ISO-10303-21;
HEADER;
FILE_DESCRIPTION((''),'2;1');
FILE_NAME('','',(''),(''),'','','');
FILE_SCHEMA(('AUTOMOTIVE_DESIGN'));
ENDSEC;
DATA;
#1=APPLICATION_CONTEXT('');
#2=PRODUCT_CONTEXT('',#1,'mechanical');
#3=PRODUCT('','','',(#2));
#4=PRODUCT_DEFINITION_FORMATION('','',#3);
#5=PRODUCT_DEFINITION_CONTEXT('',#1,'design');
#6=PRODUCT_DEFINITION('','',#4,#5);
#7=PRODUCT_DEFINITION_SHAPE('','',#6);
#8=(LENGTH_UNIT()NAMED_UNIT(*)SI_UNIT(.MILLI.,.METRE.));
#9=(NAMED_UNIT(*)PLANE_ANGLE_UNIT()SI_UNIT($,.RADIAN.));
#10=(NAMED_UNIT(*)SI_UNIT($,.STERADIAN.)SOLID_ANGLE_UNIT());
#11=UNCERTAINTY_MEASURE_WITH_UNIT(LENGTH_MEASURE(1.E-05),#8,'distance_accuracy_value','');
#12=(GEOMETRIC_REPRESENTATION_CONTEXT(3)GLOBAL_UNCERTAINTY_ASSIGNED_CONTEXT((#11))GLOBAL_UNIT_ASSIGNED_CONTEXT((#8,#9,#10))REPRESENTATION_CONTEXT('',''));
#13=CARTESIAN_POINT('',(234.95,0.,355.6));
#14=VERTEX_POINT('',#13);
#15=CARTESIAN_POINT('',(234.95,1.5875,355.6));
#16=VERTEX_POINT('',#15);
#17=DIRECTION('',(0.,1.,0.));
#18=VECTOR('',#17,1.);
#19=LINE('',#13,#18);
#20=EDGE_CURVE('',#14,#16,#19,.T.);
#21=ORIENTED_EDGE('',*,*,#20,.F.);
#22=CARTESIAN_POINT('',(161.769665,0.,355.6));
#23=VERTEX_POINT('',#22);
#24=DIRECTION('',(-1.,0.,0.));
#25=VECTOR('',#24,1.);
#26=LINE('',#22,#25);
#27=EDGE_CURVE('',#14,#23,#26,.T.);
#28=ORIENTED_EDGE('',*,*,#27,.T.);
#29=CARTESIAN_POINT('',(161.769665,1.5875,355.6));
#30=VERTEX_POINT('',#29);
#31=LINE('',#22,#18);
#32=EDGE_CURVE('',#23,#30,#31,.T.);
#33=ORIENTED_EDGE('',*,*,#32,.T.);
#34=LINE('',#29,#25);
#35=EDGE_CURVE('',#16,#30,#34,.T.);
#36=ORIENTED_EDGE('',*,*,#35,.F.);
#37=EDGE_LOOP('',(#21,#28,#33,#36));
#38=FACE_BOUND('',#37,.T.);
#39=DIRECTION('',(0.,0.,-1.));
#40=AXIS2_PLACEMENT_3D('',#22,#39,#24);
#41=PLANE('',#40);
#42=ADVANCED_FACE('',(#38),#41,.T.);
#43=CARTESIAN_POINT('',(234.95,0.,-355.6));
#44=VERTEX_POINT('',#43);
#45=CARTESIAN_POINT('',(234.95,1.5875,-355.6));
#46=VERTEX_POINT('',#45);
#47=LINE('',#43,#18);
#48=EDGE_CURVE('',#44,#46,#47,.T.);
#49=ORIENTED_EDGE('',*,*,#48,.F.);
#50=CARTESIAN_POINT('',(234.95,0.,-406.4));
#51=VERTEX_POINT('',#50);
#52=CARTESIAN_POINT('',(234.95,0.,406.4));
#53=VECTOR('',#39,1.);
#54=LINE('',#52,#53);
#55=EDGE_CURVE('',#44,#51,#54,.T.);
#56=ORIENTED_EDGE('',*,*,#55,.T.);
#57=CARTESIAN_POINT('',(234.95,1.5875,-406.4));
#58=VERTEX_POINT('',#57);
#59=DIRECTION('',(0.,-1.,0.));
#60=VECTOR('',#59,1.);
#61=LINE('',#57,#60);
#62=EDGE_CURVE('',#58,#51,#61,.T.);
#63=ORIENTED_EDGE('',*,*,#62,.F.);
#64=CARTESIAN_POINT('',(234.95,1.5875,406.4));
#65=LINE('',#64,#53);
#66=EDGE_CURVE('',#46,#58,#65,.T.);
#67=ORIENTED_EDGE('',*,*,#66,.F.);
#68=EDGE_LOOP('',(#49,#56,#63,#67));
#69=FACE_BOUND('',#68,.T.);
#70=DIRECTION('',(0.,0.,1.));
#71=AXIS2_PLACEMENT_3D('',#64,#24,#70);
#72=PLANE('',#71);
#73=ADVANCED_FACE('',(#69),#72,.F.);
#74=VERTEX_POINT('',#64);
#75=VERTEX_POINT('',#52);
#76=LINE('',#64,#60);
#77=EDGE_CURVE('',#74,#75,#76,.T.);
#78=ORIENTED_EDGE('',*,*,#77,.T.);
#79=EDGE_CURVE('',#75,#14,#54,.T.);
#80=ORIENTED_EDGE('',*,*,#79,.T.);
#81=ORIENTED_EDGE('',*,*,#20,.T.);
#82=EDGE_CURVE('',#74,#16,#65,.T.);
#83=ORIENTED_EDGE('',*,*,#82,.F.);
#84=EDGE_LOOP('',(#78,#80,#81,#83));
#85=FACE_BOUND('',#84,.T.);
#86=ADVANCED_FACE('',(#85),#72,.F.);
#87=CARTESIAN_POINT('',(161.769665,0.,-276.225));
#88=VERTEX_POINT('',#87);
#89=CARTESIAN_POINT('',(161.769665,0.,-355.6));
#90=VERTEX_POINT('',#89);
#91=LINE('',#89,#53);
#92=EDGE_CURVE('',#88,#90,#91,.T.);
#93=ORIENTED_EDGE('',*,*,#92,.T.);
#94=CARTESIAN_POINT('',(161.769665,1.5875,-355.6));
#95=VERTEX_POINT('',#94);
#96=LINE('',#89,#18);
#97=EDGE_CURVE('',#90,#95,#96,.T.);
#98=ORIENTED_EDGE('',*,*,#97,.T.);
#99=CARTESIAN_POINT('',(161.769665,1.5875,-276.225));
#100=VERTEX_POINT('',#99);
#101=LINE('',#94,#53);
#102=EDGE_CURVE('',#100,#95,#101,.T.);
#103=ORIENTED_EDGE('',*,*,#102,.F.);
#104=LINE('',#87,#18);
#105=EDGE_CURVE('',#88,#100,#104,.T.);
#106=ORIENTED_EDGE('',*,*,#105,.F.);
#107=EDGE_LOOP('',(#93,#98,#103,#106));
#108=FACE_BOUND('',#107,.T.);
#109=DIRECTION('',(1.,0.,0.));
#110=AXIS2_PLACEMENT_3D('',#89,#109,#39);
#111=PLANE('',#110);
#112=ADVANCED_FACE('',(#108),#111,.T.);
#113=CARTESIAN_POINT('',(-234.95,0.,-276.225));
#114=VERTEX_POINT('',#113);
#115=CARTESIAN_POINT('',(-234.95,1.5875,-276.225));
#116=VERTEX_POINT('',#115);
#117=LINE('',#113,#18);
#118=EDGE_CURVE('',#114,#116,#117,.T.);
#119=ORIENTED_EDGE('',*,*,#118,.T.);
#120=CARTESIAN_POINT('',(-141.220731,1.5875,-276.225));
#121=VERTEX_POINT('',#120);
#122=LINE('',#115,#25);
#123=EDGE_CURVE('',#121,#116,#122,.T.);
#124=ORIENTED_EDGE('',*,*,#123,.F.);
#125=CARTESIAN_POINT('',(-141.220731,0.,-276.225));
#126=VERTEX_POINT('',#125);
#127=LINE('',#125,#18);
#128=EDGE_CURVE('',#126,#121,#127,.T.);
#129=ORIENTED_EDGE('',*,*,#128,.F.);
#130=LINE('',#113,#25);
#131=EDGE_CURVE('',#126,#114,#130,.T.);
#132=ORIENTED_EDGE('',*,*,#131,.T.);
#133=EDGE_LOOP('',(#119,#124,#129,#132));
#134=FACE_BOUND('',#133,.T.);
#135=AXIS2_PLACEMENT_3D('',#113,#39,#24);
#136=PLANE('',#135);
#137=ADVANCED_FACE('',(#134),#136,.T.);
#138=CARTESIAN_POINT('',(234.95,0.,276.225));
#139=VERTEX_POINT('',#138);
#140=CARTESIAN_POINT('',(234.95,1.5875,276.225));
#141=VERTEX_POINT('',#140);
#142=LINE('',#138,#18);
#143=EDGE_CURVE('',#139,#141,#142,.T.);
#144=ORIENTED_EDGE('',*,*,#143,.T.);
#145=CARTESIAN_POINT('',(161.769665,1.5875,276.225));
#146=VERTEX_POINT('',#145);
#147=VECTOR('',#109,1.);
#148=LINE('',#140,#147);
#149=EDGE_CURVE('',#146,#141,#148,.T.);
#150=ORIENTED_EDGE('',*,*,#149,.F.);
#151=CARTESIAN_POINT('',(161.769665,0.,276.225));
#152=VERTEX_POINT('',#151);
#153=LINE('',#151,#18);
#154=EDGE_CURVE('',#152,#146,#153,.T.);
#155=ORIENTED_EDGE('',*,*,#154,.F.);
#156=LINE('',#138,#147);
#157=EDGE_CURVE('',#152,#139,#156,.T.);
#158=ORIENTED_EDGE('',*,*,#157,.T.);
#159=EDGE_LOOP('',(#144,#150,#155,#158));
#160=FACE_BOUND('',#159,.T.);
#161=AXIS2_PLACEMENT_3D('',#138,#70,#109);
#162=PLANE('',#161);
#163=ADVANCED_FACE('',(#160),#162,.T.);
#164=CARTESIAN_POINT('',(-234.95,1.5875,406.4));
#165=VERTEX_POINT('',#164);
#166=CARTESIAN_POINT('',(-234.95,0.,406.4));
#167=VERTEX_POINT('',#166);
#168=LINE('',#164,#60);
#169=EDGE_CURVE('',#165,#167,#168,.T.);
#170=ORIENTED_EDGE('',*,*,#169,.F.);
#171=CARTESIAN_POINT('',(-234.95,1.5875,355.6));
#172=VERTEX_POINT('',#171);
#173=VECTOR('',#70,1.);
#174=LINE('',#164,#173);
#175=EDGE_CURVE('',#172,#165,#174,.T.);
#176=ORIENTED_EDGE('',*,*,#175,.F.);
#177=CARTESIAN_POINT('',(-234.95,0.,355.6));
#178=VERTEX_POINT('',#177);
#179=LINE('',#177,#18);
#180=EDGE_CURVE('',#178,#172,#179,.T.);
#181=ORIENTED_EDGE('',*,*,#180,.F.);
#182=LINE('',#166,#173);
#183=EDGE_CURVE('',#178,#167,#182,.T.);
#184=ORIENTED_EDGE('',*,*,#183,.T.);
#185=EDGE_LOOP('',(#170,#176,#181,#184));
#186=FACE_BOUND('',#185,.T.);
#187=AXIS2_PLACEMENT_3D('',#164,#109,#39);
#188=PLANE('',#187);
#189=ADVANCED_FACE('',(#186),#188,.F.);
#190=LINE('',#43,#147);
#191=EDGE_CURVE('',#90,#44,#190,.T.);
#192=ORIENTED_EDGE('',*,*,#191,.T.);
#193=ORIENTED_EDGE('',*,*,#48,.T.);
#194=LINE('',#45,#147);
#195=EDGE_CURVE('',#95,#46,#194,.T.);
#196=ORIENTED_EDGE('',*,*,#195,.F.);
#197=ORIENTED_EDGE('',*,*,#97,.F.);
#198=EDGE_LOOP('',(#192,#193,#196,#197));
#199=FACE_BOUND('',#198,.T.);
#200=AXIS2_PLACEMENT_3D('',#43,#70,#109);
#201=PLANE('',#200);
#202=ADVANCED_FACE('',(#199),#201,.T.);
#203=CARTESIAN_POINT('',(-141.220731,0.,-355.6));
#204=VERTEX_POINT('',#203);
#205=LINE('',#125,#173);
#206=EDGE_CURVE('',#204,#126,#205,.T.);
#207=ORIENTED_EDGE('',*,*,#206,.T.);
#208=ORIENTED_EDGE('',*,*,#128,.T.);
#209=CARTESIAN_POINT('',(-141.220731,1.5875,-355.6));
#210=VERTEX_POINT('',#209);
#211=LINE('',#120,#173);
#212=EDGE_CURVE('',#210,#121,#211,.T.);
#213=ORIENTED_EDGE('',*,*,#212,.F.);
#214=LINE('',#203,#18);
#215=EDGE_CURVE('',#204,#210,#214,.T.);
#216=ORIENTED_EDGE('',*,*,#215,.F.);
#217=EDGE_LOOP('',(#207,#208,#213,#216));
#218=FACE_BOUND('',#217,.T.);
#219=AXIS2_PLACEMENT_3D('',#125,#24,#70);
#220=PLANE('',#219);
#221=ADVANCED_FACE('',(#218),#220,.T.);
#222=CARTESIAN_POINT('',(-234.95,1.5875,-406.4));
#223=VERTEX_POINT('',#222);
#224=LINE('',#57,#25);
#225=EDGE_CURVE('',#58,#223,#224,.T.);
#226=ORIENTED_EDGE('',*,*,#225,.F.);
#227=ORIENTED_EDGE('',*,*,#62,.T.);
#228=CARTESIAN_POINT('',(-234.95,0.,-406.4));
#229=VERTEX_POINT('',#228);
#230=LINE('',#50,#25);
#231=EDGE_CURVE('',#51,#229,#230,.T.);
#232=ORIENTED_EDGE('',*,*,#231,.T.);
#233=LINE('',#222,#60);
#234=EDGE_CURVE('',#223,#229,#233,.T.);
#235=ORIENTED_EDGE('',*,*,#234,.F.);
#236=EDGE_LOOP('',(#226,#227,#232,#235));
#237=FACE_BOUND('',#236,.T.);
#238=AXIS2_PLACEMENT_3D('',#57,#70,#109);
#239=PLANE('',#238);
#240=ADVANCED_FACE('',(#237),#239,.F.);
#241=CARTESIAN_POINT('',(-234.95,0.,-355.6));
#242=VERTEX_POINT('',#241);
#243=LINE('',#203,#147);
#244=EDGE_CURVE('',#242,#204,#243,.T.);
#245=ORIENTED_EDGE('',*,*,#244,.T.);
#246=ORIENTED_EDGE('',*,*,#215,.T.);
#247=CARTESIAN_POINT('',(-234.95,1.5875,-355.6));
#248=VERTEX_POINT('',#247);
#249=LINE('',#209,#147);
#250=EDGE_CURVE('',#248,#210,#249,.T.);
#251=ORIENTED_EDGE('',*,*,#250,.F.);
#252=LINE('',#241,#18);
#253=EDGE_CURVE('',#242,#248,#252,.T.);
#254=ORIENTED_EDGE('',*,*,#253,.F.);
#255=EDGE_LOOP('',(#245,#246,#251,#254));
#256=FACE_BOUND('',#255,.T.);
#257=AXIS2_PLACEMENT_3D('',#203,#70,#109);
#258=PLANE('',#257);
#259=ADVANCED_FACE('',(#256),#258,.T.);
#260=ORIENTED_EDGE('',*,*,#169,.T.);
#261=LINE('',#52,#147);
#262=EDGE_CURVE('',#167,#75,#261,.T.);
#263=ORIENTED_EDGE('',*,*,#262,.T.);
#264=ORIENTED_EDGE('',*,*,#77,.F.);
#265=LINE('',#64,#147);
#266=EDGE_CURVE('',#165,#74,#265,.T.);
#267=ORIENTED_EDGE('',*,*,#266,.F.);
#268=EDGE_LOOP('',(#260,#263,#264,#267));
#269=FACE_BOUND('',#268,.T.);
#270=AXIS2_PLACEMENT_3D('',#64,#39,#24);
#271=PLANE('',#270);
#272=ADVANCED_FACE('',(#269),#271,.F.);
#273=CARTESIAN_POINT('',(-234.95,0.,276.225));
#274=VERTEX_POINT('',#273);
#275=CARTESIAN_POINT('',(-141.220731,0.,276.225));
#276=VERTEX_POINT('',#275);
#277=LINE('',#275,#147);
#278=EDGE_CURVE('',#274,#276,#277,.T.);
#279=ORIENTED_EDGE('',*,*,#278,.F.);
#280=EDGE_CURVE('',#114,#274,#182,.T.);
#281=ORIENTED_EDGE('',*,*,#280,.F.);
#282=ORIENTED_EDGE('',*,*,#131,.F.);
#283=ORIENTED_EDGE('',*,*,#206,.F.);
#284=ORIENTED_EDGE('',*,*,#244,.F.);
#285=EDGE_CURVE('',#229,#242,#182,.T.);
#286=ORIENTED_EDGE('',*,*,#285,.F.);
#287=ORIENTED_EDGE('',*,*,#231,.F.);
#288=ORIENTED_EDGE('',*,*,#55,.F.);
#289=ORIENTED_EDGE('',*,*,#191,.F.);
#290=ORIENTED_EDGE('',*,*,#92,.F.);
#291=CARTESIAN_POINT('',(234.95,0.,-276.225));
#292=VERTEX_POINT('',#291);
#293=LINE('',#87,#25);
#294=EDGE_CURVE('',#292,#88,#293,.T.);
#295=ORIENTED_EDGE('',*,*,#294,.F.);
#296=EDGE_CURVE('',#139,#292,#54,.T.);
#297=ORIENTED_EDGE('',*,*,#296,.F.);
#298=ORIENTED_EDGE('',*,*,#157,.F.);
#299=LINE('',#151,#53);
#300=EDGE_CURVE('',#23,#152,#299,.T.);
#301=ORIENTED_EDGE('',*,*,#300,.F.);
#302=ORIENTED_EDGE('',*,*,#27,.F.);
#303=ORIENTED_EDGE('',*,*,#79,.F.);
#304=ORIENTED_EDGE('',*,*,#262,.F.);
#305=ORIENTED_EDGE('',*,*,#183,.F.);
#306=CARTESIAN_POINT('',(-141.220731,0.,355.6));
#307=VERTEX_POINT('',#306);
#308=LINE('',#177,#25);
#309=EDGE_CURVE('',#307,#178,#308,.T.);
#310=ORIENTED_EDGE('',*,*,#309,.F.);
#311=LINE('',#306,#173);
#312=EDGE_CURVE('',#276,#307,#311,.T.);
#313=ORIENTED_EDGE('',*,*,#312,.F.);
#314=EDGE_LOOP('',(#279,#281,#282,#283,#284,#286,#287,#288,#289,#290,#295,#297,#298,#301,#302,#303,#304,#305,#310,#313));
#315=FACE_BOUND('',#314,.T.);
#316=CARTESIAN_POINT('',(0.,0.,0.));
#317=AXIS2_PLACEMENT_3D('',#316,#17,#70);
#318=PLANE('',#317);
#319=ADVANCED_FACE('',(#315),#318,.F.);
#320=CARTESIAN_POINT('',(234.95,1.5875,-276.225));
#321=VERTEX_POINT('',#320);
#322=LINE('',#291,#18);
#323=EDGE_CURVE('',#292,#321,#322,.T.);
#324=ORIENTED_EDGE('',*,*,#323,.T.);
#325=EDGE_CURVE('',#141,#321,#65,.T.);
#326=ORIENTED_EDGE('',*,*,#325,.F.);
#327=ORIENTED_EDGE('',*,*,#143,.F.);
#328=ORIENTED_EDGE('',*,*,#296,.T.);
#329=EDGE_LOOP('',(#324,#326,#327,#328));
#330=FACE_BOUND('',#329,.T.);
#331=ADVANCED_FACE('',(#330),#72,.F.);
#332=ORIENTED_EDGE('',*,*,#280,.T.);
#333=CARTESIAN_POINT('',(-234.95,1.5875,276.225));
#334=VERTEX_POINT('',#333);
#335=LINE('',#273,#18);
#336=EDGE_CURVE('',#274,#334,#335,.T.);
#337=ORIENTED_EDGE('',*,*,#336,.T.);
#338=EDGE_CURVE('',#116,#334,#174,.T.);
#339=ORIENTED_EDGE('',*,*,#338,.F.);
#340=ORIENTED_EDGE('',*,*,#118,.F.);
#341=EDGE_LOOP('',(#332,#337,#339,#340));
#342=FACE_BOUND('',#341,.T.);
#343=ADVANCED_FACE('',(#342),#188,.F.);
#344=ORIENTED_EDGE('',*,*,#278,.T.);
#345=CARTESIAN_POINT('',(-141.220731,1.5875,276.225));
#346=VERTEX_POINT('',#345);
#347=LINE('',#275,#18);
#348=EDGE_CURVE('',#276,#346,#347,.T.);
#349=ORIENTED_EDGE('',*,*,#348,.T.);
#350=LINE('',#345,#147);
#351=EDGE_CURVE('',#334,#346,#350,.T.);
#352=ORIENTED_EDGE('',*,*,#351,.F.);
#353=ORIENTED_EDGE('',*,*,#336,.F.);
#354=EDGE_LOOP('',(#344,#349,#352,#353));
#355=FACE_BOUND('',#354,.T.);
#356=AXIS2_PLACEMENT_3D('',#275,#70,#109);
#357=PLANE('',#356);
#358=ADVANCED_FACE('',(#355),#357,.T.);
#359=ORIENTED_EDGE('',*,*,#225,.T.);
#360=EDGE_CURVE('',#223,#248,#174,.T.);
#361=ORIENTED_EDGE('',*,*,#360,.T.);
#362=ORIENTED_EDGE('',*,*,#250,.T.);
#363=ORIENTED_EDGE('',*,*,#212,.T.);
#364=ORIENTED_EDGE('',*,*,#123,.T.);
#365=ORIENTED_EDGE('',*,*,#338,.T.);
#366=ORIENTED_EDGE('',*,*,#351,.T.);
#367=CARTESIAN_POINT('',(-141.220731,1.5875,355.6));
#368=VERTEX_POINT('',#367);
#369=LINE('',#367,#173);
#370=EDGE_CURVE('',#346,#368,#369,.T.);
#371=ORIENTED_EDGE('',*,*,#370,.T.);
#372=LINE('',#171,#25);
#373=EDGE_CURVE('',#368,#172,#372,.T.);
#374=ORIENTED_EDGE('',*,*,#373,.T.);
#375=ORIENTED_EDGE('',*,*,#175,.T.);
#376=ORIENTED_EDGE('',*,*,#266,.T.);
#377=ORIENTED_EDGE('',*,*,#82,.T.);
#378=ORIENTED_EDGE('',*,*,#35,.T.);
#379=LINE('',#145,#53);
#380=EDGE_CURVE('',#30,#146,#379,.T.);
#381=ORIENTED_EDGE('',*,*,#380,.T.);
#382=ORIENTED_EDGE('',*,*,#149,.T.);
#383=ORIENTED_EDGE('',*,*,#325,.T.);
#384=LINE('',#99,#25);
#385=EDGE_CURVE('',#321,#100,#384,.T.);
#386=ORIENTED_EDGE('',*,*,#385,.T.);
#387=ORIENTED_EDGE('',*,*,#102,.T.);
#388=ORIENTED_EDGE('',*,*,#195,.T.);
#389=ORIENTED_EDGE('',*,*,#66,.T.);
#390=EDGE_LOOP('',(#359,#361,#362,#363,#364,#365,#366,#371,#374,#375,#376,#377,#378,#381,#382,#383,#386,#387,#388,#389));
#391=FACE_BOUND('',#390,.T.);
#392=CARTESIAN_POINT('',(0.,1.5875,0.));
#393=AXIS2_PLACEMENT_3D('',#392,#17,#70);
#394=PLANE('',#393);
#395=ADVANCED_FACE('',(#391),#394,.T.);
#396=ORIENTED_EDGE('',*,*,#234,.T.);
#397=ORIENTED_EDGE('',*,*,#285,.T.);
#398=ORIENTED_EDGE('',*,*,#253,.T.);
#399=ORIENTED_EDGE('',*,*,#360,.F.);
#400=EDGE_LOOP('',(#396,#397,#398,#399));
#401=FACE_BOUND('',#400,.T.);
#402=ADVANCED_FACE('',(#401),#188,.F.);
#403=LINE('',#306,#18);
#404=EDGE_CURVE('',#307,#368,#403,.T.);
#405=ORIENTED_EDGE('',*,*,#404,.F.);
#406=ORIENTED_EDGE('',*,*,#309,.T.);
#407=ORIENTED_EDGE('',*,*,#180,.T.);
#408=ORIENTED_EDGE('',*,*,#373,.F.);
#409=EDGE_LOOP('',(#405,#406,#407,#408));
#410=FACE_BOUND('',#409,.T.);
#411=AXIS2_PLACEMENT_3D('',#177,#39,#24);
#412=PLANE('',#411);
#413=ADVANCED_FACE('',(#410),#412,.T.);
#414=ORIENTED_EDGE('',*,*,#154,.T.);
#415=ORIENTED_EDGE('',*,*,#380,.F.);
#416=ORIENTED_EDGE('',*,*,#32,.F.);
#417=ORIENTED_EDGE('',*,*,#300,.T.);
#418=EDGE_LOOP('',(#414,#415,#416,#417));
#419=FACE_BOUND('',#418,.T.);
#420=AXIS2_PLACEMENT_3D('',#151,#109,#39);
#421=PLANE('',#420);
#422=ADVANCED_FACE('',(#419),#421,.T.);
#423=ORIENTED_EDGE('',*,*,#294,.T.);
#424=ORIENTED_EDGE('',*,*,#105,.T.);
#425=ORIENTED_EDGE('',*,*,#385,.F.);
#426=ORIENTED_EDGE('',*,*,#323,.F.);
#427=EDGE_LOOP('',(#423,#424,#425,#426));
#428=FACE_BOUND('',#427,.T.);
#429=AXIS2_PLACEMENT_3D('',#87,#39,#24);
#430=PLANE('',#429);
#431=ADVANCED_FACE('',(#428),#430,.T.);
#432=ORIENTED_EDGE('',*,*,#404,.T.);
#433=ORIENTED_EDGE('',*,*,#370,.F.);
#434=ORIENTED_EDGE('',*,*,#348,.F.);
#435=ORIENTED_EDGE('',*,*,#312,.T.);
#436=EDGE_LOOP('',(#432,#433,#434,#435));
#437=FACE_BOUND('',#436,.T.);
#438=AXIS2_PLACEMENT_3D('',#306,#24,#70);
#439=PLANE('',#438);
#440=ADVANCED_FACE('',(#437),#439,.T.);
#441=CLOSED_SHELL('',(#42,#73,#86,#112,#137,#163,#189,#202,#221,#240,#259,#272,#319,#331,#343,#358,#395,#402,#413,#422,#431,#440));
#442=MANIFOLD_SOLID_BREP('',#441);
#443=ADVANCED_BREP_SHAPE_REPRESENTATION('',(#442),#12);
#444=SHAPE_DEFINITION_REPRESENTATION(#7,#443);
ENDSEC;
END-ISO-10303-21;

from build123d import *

# Parameters (mm, degrees)
SKETCH1_W           = 469.9
SKETCH1_H           = 812.8
BOSS_EXTRUDE1_DEPTH = 1.5875
SKETCH2_OUTSIDE_W   = 659.672
SKETCH2_OUTSIDE_H   = 1002.572
CUT_EXTRUDE1_DEPTH  = 1.5875


with BuildPart() as part:
    # Sketch1 → Boss-Extrude1 (new body)
    with BuildSketch(Plane(origin=(0, 0, 0), x_dir=(1, 0, 0), z_dir=(0, 1, 0))):
        Rectangle(SKETCH1_W, SKETCH1_H)
    extrude(amount=BOSS_EXTRUDE1_DEPTH)

    # Sketch2 outside → Cut-Extrude1 (cut)
    with BuildSketch(Plane(origin=(0, 1.5875, 0), x_dir=(1, 0, 0), z_dir=(0, 1, 0))):
        Rectangle(SKETCH2_OUTSIDE_W, SKETCH2_OUTSIDE_H)
        Polygon((-234.95, 355.6), (-234.95, 406.4), (234.95, 406.4), (234.95, 355.6), (161.769664855, 355.6), (161.769664855, 276.225), (234.95, 276.225), (234.95, -276.225), (161.769664855, -276.225), (161.769664855, -355.6), (234.95, -355.6), (234.95, -406.4), (-234.95, -406.4), (-234.95, -355.6), (-141.220731077, -355.6), (-141.220731077, -276.225), (-234.95, -276.225), (-234.95, 276.225), (-141.220731077, 276.225), (-141.220731077, 355.6), align=None, mode=Mode.SUBTRACT)
    extrude(amount=-CUT_EXTRUDE1_DEPTH, mode=Mode.SUBTRACT)


solid = part.part
